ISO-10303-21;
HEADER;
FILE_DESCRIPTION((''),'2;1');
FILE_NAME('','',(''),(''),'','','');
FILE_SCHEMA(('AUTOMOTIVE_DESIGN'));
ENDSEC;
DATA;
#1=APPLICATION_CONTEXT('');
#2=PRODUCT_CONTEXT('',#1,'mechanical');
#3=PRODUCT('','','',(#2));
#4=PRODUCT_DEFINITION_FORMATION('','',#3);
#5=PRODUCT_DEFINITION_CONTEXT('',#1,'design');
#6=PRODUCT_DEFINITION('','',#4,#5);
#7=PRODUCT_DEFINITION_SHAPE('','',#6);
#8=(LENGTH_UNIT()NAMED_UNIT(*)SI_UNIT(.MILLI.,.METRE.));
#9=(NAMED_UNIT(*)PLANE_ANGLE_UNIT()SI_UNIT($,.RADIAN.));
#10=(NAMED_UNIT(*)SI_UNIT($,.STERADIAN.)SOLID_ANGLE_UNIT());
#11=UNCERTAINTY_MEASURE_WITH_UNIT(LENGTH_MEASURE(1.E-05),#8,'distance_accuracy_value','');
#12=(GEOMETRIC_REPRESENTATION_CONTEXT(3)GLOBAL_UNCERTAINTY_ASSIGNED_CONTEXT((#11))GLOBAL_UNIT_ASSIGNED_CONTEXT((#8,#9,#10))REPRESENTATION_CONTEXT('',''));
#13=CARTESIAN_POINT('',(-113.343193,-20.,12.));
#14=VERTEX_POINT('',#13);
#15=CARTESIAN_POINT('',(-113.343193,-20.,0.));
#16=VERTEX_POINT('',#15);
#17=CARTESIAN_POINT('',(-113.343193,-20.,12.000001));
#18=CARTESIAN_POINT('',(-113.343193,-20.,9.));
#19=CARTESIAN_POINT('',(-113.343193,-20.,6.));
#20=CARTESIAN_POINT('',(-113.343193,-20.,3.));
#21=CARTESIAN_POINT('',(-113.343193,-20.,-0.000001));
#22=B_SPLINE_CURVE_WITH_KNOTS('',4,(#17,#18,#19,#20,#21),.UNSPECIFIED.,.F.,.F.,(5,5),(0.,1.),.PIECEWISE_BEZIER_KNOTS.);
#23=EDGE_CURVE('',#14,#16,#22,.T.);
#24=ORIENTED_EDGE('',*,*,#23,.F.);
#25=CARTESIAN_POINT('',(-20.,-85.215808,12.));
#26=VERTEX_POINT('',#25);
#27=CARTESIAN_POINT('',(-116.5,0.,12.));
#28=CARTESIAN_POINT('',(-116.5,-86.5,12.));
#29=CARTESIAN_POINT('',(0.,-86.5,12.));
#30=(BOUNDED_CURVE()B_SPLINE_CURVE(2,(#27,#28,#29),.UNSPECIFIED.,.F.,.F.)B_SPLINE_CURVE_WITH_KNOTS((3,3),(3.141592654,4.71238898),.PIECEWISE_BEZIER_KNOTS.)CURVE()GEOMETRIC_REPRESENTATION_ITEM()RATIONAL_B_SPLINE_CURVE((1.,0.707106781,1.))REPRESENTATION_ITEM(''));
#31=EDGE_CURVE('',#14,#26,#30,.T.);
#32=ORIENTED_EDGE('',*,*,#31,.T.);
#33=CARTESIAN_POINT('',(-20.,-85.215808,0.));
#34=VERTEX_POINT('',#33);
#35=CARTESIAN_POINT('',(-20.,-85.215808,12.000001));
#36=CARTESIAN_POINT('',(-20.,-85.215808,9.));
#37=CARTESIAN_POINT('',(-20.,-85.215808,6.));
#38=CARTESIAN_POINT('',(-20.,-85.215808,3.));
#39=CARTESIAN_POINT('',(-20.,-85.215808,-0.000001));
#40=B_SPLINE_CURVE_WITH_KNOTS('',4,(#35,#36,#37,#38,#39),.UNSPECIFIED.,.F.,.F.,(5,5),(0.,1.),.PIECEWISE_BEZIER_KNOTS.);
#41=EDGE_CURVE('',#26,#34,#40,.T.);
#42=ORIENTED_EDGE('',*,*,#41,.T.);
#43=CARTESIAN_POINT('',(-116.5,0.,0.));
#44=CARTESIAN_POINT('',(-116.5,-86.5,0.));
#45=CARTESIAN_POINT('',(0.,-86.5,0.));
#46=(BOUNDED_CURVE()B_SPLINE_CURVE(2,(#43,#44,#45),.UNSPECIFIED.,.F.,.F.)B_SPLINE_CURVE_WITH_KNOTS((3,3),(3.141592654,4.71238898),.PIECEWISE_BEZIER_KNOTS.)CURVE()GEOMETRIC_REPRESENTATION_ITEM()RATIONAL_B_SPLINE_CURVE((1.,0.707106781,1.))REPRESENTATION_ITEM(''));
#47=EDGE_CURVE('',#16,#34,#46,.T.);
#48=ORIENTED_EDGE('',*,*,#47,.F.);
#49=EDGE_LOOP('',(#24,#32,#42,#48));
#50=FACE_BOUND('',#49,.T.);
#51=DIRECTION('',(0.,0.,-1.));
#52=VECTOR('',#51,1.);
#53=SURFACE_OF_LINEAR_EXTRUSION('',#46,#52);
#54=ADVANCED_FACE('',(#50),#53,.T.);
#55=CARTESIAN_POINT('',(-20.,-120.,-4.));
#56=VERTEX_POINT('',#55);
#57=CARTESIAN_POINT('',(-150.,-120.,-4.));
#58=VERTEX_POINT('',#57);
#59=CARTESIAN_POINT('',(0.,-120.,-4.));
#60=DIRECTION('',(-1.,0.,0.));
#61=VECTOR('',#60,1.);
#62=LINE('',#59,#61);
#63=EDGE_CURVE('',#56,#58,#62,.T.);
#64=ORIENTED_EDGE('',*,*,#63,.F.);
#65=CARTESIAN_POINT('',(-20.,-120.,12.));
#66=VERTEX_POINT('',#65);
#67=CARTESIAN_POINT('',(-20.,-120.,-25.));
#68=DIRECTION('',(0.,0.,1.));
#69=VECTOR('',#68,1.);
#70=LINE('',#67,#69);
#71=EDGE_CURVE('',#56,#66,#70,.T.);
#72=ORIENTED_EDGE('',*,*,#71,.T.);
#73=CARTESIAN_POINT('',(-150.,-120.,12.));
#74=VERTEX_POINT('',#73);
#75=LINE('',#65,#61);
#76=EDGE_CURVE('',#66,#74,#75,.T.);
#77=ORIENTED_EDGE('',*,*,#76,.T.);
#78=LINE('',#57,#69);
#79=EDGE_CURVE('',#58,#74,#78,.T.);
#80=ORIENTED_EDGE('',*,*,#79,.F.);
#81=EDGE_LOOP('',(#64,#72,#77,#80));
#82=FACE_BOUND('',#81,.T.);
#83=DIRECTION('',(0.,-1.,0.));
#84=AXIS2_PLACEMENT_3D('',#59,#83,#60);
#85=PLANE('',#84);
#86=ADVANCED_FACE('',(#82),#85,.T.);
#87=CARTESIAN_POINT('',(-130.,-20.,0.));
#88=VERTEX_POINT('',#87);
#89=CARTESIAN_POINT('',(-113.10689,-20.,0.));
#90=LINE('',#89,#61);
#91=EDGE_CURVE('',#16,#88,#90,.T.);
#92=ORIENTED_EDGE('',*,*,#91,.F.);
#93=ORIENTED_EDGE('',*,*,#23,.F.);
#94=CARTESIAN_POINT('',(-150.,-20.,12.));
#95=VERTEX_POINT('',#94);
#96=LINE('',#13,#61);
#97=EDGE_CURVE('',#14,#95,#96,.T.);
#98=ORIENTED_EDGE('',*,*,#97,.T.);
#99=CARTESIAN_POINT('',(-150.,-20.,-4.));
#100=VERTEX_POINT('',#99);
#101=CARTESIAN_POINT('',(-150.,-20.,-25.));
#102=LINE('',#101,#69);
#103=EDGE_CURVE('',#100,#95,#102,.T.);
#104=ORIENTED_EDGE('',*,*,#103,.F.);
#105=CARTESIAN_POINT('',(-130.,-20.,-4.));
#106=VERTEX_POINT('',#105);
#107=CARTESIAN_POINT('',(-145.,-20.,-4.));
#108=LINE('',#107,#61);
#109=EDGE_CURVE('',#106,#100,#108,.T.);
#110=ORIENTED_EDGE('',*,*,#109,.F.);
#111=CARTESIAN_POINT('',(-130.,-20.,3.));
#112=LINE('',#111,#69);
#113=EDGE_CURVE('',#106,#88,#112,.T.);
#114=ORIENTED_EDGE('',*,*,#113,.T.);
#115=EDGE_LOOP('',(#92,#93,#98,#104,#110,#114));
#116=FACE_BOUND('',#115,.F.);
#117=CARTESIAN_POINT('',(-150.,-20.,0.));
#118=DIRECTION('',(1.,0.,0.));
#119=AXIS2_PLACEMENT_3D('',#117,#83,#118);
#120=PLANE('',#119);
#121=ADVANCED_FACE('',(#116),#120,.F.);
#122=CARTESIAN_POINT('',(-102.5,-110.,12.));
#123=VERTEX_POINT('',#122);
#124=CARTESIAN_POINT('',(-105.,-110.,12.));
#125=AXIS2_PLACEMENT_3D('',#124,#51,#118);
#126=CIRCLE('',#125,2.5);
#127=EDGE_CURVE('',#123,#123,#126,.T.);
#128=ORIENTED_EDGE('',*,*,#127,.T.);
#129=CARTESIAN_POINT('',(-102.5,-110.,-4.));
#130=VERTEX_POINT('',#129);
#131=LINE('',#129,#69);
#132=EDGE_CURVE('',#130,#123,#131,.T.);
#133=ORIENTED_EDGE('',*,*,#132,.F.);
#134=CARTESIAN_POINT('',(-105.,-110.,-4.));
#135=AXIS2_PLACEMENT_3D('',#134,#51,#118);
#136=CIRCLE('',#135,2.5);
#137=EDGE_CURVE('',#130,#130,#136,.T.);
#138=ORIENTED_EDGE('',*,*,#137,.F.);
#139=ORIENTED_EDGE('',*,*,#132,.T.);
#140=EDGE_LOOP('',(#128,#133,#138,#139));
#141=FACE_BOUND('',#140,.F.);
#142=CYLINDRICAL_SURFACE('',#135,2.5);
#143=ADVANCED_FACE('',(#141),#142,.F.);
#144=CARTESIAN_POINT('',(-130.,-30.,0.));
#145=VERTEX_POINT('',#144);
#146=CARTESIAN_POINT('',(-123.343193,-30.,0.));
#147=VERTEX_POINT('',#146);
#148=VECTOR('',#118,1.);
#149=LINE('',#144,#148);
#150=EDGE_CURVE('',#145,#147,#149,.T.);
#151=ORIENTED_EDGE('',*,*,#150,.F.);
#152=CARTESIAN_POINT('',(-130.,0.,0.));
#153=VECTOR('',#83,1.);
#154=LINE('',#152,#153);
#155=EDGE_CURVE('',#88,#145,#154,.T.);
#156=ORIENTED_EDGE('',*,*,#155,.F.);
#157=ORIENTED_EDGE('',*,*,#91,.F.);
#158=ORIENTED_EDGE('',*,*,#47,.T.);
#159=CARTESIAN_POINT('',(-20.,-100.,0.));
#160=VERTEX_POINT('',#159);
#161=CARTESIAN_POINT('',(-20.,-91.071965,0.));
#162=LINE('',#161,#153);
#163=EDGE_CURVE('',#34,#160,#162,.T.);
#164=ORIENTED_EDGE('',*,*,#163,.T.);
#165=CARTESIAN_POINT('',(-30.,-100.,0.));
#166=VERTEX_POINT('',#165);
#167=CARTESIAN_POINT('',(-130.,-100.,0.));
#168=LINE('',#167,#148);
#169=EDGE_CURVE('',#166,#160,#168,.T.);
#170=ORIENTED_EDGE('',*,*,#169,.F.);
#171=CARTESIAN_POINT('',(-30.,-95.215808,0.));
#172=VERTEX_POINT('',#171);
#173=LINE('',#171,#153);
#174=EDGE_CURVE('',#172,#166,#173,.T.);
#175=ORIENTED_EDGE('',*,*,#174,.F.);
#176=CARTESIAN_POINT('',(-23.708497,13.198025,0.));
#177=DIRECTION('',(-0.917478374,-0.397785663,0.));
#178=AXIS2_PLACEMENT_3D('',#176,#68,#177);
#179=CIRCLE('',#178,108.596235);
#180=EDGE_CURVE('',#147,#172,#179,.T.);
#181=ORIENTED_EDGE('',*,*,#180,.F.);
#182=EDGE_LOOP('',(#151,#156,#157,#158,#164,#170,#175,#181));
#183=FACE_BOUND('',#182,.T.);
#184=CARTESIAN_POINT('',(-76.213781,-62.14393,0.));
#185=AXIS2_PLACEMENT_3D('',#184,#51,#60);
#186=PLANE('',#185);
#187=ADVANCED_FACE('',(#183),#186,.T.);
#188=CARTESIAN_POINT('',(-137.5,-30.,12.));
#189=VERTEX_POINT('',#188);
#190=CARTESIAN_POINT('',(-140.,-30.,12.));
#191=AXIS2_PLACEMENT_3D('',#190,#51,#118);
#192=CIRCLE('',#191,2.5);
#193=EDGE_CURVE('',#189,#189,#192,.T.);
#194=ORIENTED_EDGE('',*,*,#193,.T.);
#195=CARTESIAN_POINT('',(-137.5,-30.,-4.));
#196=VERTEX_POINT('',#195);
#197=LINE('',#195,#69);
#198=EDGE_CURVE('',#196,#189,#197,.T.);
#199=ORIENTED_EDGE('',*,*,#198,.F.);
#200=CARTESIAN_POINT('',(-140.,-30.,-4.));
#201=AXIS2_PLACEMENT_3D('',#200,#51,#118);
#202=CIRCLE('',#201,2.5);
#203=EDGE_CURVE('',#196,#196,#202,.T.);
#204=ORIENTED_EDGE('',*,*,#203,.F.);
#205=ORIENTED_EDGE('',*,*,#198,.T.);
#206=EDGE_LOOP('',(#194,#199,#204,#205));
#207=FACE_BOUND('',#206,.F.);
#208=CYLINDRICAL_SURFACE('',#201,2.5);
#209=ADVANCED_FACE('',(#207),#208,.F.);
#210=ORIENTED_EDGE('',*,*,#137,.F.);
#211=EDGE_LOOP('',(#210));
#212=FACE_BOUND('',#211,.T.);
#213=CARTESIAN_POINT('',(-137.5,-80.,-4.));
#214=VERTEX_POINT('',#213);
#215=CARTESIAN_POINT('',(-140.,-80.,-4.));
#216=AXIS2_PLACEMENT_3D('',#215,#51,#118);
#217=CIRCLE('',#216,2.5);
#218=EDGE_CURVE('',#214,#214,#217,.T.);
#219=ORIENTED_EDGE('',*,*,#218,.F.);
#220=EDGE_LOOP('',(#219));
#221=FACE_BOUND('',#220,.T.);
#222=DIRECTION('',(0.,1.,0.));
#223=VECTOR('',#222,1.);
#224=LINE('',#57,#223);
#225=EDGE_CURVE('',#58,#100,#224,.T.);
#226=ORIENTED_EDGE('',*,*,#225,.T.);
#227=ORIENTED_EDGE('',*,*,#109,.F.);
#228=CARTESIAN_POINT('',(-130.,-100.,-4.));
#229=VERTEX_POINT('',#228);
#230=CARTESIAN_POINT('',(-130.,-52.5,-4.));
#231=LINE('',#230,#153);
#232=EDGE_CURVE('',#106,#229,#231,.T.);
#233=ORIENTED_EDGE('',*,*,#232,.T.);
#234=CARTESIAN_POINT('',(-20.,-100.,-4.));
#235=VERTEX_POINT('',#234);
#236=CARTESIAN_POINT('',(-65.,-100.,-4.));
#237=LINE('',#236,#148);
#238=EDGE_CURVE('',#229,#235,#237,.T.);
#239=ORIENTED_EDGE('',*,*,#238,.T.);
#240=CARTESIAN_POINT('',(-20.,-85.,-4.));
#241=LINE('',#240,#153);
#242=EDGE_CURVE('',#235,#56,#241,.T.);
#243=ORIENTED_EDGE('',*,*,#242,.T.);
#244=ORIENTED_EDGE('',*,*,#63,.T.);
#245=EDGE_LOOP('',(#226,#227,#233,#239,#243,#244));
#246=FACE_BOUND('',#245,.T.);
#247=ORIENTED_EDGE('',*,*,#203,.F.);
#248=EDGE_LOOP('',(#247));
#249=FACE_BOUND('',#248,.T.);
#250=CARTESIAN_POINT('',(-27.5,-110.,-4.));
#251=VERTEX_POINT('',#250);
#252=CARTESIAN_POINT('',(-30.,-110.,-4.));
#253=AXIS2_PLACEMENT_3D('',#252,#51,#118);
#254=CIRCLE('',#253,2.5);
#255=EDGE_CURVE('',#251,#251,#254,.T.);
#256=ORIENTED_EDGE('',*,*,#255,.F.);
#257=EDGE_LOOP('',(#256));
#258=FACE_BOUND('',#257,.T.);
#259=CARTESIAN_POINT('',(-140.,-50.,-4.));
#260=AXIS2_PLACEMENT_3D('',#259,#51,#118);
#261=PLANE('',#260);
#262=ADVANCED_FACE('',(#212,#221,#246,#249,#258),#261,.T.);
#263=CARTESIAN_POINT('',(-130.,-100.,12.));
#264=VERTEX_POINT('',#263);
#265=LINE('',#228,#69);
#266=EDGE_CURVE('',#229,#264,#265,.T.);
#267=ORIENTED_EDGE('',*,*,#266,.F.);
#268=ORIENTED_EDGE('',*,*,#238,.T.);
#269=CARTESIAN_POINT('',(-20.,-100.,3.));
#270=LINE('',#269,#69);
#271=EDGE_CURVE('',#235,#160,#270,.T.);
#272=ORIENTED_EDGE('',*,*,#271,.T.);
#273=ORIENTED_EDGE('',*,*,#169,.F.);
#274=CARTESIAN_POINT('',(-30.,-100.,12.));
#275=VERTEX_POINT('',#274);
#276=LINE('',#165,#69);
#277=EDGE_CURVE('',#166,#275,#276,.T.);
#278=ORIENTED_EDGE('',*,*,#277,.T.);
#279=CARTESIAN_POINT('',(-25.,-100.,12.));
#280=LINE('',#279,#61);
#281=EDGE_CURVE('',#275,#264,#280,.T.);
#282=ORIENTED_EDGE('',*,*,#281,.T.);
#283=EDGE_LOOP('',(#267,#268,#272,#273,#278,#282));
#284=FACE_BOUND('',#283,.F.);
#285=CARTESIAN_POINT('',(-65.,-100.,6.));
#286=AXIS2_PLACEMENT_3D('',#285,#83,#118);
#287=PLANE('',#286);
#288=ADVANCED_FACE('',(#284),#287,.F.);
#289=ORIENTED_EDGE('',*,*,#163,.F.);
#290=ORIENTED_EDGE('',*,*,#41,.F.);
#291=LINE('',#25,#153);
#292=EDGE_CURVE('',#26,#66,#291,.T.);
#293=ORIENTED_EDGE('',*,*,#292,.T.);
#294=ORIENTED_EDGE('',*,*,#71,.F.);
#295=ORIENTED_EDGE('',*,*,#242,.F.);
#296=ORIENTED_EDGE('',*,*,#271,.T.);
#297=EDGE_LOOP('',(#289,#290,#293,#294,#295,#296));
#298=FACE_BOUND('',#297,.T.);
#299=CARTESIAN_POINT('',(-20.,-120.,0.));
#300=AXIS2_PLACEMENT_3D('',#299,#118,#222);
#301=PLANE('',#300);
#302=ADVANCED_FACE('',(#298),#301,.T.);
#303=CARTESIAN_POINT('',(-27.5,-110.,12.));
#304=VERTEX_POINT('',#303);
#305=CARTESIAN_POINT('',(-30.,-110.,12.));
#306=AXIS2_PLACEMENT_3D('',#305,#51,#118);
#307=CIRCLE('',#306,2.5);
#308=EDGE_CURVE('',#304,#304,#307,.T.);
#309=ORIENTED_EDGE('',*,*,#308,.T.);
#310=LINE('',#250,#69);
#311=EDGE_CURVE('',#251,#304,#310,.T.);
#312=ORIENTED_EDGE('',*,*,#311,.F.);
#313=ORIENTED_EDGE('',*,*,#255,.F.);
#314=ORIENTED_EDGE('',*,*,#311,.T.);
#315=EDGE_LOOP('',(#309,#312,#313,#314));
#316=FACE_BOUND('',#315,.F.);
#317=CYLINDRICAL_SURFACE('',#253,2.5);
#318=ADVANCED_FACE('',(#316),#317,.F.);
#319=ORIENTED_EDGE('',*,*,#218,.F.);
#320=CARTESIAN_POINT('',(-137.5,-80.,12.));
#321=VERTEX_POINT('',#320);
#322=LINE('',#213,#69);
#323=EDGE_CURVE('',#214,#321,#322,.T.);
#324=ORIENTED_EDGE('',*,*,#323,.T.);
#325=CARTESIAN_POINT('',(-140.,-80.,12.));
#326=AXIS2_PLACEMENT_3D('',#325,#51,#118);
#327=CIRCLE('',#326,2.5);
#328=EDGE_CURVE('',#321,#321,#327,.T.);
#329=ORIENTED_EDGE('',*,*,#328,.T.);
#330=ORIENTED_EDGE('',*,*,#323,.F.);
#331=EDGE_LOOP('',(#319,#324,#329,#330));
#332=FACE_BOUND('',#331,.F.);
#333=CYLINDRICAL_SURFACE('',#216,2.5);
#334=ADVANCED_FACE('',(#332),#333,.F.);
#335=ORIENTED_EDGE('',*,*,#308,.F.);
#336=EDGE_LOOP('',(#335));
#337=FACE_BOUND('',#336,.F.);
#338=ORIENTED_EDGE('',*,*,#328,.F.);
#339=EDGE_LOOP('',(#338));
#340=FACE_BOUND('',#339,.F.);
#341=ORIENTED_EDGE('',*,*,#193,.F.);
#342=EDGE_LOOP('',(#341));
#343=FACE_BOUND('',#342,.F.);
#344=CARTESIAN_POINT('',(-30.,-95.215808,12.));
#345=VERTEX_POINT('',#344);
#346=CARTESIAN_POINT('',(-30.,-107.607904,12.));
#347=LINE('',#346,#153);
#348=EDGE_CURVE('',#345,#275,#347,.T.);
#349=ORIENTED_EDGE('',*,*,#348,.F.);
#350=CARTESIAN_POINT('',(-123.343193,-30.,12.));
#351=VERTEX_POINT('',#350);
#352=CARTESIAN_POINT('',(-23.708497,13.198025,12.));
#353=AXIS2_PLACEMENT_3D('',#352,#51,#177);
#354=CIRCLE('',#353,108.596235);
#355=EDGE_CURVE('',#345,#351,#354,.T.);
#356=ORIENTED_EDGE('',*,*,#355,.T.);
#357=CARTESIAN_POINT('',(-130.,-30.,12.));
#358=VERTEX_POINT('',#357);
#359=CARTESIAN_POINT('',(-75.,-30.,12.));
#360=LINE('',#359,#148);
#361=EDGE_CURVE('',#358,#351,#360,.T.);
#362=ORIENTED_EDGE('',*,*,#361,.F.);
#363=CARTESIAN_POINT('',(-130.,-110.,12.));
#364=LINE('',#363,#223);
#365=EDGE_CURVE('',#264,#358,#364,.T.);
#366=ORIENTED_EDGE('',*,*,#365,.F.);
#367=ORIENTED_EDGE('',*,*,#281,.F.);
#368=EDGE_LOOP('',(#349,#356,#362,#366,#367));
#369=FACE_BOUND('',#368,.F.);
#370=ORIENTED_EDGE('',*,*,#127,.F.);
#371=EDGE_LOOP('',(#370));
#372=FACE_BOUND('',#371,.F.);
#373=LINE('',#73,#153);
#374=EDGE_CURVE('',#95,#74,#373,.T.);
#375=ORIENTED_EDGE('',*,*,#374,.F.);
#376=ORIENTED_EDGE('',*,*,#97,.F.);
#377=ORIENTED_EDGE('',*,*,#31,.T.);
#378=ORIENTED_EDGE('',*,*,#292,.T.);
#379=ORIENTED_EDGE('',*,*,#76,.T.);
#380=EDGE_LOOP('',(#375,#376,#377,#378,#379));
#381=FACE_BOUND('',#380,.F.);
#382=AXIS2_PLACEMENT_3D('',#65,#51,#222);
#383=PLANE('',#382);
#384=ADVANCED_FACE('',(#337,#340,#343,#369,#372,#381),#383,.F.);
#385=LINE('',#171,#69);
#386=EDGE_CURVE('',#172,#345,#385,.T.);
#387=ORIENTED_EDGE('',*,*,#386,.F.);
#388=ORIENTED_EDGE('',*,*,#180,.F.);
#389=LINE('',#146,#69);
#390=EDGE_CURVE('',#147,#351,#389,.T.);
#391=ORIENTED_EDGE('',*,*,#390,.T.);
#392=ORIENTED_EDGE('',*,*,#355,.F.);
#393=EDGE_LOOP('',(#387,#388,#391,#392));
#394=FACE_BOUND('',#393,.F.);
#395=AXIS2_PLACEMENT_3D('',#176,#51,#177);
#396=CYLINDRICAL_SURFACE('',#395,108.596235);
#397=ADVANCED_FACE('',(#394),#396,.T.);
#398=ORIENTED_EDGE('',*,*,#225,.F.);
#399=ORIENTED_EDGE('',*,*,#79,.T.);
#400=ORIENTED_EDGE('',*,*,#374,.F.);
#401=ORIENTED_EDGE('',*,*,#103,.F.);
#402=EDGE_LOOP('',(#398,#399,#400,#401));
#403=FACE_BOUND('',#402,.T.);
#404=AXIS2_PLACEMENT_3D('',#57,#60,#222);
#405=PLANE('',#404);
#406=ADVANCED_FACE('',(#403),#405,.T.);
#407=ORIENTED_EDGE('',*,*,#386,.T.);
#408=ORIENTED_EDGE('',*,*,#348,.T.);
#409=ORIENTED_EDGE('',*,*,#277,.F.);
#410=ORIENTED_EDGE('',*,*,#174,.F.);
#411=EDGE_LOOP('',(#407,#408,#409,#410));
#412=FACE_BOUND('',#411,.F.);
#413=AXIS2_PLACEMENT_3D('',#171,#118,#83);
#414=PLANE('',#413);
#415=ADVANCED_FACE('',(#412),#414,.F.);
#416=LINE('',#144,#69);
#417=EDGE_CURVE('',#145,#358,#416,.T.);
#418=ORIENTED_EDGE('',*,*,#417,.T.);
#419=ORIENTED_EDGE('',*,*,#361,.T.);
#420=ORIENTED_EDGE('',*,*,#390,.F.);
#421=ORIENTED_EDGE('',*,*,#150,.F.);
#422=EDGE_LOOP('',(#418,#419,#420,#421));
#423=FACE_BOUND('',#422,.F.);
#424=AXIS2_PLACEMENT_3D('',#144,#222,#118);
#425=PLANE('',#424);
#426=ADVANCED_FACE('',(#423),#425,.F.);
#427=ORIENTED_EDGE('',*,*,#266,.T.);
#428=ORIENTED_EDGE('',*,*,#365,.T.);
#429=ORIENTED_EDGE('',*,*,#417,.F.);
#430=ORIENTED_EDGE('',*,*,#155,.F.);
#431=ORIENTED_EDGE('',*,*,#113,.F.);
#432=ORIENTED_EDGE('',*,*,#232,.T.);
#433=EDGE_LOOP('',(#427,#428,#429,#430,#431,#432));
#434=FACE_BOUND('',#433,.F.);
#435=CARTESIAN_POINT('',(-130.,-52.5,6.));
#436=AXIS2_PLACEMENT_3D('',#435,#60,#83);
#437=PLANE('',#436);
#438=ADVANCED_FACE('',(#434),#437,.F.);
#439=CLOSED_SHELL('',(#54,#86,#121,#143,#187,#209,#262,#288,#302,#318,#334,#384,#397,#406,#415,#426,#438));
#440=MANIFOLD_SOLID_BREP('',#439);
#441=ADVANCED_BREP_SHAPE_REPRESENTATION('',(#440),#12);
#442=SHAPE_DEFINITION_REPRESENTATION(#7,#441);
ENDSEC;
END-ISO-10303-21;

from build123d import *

# Parameters (mm, degrees)
F1_DEPTH  = 12
F2_W      = 130
F2_H      = 20
F3_DEPTH  = 5
F4_W      = 105
F4_H      = 20
F5_DEPTH  = 5
F7_W      = 20
F7_H      = 100
F7_R      = 2.5
F7_H_2    = 20
F7_W_2    = 130
F8_DEPTH  = 25
F9_DEPTH  = 5
F10_W     = 130
F10_H     = 20
F10_W_2   = 20
F10_H_2   = 100
F11_DEPTH = 25
F12_W     = 100
F12_H     = 9
F13_DEPTH = 150
F15_DEPTH = 25


with BuildPart() as f1:
    # F0 (on Top) → F1 (new body)
    with BuildSketch(Plane.XY):
        with BuildLine():
            add(Edge.make_bspline(
                [(-116.5, 0), (-116.5, -86.5), (0, -86.5)],
                knots=[3.1415926536, 3.1415926536, 3.1415926536, 4.7123889804, 4.7123889804, 4.7123889804], degree=2, weights=[1, 0.7071067812, 1]))
            Line((-116.5, 0), (-116.5, -86.5))
            Line((-116.5, -86.5), (0, -86.5))
        make_face()
        Polygon((-116.5, -86.5), (-116.5, 0), (-130, 0), (-130, -100), (0, -100), (0, -86.5), align=None)
    extrude(amount=F1_DEPTH)

    # F2 (on face) → F3 (join)
    with BuildSketch(Plane.XZ.offset(100)):
        with Locations((-65, 6)):
            Rectangle(F2_W, F2_H)
    extrude(amount=F3_DEPTH)

    # F4 (on face) → F5 (join)
    with BuildSketch(Plane(origin=(-130, 0, 0), x_dir=(0, -1, 0), z_dir=(-1, 0, 0))):
        with Locations((52.5, 6)):
            Rectangle(F4_W, F4_H)
    extrude(amount=F5_DEPTH)

    # F7 (on face) → F8 (join)
    with BuildSketch(Plane(origin=(0, 0, -4), x_dir=(1, 0, 0), z_dir=(0, 0, -1))):
        with Locations((-140, 50)):
            Rectangle(F7_W, F7_H)
        with Locations((-140, 30)):
            Circle(F7_R, mode=Mode.SUBTRACT)
        with Locations((-140, 80)):
            Circle(F7_R, mode=Mode.SUBTRACT)
        with Locations((-140, 110)):
            Rectangle(F7_W, F7_H_2)
        with Locations((-65, 110)):
            Rectangle(F7_W_2, F7_H_2)
        with Locations((-105, 110)):
            Circle(F7_R, mode=Mode.SUBTRACT)
        with Locations((-30, 110)):
            Circle(F7_R, mode=Mode.SUBTRACT)
    extrude(amount=-F8_DEPTH)

    # F6 (on face) → F9 (join)
    with BuildSketch(Plane.XY.offset(16)):
        Polygon((-120, 0), (-135, 0), (-135, -105), (0, -105), (0, -90), (-120, -90), align=None)
    extrude(amount=F9_DEPTH)

    # F10 (on Top) → F11 (cut, symmetric)
    with BuildSketch(Plane.XY):
        with Locations((-85, -10)):
            Rectangle(F10_W, F10_H)
        with Locations((-10, -10)):
            Rectangle(F10_W_2, F10_H)
        with Locations((-10, -70)):
            Rectangle(F10_W_2, F10_H_2)
    extrude(amount=F11_DEPTH, both=True, mode=Mode.SUBTRACT)

    # F12 (on face) → F13 (cut)
    with BuildSketch(Plane.YZ.offset(-20)):
        with Locations((-70, 16.5)):
            Rectangle(F12_W, F12_H)
    extrude(amount=-F13_DEPTH, mode=Mode.SUBTRACT)

    # F14 (on face) → F15 (cut)
    with BuildSketch(Plane(origin=(0, 0, 0), x_dir=(1, 0, 0), z_dir=(0, 0, -1))):
        with BuildLine():
            Line((-30, 100), (-130, 100))
            Line((-130, 100), (-130, 30))
            Line((-130, 30), (-123.3431933691, 30))
            ThreePointArc((-123.3431933691, 30), (-85.9046810739, 75.8231903114), (-30, 95.2158076494))
            Line((-30, 95.2158076494), (-30, 100))
        make_face()
    extrude(amount=-F15_DEPTH, mode=Mode.SUBTRACT)


solid = f1.part
